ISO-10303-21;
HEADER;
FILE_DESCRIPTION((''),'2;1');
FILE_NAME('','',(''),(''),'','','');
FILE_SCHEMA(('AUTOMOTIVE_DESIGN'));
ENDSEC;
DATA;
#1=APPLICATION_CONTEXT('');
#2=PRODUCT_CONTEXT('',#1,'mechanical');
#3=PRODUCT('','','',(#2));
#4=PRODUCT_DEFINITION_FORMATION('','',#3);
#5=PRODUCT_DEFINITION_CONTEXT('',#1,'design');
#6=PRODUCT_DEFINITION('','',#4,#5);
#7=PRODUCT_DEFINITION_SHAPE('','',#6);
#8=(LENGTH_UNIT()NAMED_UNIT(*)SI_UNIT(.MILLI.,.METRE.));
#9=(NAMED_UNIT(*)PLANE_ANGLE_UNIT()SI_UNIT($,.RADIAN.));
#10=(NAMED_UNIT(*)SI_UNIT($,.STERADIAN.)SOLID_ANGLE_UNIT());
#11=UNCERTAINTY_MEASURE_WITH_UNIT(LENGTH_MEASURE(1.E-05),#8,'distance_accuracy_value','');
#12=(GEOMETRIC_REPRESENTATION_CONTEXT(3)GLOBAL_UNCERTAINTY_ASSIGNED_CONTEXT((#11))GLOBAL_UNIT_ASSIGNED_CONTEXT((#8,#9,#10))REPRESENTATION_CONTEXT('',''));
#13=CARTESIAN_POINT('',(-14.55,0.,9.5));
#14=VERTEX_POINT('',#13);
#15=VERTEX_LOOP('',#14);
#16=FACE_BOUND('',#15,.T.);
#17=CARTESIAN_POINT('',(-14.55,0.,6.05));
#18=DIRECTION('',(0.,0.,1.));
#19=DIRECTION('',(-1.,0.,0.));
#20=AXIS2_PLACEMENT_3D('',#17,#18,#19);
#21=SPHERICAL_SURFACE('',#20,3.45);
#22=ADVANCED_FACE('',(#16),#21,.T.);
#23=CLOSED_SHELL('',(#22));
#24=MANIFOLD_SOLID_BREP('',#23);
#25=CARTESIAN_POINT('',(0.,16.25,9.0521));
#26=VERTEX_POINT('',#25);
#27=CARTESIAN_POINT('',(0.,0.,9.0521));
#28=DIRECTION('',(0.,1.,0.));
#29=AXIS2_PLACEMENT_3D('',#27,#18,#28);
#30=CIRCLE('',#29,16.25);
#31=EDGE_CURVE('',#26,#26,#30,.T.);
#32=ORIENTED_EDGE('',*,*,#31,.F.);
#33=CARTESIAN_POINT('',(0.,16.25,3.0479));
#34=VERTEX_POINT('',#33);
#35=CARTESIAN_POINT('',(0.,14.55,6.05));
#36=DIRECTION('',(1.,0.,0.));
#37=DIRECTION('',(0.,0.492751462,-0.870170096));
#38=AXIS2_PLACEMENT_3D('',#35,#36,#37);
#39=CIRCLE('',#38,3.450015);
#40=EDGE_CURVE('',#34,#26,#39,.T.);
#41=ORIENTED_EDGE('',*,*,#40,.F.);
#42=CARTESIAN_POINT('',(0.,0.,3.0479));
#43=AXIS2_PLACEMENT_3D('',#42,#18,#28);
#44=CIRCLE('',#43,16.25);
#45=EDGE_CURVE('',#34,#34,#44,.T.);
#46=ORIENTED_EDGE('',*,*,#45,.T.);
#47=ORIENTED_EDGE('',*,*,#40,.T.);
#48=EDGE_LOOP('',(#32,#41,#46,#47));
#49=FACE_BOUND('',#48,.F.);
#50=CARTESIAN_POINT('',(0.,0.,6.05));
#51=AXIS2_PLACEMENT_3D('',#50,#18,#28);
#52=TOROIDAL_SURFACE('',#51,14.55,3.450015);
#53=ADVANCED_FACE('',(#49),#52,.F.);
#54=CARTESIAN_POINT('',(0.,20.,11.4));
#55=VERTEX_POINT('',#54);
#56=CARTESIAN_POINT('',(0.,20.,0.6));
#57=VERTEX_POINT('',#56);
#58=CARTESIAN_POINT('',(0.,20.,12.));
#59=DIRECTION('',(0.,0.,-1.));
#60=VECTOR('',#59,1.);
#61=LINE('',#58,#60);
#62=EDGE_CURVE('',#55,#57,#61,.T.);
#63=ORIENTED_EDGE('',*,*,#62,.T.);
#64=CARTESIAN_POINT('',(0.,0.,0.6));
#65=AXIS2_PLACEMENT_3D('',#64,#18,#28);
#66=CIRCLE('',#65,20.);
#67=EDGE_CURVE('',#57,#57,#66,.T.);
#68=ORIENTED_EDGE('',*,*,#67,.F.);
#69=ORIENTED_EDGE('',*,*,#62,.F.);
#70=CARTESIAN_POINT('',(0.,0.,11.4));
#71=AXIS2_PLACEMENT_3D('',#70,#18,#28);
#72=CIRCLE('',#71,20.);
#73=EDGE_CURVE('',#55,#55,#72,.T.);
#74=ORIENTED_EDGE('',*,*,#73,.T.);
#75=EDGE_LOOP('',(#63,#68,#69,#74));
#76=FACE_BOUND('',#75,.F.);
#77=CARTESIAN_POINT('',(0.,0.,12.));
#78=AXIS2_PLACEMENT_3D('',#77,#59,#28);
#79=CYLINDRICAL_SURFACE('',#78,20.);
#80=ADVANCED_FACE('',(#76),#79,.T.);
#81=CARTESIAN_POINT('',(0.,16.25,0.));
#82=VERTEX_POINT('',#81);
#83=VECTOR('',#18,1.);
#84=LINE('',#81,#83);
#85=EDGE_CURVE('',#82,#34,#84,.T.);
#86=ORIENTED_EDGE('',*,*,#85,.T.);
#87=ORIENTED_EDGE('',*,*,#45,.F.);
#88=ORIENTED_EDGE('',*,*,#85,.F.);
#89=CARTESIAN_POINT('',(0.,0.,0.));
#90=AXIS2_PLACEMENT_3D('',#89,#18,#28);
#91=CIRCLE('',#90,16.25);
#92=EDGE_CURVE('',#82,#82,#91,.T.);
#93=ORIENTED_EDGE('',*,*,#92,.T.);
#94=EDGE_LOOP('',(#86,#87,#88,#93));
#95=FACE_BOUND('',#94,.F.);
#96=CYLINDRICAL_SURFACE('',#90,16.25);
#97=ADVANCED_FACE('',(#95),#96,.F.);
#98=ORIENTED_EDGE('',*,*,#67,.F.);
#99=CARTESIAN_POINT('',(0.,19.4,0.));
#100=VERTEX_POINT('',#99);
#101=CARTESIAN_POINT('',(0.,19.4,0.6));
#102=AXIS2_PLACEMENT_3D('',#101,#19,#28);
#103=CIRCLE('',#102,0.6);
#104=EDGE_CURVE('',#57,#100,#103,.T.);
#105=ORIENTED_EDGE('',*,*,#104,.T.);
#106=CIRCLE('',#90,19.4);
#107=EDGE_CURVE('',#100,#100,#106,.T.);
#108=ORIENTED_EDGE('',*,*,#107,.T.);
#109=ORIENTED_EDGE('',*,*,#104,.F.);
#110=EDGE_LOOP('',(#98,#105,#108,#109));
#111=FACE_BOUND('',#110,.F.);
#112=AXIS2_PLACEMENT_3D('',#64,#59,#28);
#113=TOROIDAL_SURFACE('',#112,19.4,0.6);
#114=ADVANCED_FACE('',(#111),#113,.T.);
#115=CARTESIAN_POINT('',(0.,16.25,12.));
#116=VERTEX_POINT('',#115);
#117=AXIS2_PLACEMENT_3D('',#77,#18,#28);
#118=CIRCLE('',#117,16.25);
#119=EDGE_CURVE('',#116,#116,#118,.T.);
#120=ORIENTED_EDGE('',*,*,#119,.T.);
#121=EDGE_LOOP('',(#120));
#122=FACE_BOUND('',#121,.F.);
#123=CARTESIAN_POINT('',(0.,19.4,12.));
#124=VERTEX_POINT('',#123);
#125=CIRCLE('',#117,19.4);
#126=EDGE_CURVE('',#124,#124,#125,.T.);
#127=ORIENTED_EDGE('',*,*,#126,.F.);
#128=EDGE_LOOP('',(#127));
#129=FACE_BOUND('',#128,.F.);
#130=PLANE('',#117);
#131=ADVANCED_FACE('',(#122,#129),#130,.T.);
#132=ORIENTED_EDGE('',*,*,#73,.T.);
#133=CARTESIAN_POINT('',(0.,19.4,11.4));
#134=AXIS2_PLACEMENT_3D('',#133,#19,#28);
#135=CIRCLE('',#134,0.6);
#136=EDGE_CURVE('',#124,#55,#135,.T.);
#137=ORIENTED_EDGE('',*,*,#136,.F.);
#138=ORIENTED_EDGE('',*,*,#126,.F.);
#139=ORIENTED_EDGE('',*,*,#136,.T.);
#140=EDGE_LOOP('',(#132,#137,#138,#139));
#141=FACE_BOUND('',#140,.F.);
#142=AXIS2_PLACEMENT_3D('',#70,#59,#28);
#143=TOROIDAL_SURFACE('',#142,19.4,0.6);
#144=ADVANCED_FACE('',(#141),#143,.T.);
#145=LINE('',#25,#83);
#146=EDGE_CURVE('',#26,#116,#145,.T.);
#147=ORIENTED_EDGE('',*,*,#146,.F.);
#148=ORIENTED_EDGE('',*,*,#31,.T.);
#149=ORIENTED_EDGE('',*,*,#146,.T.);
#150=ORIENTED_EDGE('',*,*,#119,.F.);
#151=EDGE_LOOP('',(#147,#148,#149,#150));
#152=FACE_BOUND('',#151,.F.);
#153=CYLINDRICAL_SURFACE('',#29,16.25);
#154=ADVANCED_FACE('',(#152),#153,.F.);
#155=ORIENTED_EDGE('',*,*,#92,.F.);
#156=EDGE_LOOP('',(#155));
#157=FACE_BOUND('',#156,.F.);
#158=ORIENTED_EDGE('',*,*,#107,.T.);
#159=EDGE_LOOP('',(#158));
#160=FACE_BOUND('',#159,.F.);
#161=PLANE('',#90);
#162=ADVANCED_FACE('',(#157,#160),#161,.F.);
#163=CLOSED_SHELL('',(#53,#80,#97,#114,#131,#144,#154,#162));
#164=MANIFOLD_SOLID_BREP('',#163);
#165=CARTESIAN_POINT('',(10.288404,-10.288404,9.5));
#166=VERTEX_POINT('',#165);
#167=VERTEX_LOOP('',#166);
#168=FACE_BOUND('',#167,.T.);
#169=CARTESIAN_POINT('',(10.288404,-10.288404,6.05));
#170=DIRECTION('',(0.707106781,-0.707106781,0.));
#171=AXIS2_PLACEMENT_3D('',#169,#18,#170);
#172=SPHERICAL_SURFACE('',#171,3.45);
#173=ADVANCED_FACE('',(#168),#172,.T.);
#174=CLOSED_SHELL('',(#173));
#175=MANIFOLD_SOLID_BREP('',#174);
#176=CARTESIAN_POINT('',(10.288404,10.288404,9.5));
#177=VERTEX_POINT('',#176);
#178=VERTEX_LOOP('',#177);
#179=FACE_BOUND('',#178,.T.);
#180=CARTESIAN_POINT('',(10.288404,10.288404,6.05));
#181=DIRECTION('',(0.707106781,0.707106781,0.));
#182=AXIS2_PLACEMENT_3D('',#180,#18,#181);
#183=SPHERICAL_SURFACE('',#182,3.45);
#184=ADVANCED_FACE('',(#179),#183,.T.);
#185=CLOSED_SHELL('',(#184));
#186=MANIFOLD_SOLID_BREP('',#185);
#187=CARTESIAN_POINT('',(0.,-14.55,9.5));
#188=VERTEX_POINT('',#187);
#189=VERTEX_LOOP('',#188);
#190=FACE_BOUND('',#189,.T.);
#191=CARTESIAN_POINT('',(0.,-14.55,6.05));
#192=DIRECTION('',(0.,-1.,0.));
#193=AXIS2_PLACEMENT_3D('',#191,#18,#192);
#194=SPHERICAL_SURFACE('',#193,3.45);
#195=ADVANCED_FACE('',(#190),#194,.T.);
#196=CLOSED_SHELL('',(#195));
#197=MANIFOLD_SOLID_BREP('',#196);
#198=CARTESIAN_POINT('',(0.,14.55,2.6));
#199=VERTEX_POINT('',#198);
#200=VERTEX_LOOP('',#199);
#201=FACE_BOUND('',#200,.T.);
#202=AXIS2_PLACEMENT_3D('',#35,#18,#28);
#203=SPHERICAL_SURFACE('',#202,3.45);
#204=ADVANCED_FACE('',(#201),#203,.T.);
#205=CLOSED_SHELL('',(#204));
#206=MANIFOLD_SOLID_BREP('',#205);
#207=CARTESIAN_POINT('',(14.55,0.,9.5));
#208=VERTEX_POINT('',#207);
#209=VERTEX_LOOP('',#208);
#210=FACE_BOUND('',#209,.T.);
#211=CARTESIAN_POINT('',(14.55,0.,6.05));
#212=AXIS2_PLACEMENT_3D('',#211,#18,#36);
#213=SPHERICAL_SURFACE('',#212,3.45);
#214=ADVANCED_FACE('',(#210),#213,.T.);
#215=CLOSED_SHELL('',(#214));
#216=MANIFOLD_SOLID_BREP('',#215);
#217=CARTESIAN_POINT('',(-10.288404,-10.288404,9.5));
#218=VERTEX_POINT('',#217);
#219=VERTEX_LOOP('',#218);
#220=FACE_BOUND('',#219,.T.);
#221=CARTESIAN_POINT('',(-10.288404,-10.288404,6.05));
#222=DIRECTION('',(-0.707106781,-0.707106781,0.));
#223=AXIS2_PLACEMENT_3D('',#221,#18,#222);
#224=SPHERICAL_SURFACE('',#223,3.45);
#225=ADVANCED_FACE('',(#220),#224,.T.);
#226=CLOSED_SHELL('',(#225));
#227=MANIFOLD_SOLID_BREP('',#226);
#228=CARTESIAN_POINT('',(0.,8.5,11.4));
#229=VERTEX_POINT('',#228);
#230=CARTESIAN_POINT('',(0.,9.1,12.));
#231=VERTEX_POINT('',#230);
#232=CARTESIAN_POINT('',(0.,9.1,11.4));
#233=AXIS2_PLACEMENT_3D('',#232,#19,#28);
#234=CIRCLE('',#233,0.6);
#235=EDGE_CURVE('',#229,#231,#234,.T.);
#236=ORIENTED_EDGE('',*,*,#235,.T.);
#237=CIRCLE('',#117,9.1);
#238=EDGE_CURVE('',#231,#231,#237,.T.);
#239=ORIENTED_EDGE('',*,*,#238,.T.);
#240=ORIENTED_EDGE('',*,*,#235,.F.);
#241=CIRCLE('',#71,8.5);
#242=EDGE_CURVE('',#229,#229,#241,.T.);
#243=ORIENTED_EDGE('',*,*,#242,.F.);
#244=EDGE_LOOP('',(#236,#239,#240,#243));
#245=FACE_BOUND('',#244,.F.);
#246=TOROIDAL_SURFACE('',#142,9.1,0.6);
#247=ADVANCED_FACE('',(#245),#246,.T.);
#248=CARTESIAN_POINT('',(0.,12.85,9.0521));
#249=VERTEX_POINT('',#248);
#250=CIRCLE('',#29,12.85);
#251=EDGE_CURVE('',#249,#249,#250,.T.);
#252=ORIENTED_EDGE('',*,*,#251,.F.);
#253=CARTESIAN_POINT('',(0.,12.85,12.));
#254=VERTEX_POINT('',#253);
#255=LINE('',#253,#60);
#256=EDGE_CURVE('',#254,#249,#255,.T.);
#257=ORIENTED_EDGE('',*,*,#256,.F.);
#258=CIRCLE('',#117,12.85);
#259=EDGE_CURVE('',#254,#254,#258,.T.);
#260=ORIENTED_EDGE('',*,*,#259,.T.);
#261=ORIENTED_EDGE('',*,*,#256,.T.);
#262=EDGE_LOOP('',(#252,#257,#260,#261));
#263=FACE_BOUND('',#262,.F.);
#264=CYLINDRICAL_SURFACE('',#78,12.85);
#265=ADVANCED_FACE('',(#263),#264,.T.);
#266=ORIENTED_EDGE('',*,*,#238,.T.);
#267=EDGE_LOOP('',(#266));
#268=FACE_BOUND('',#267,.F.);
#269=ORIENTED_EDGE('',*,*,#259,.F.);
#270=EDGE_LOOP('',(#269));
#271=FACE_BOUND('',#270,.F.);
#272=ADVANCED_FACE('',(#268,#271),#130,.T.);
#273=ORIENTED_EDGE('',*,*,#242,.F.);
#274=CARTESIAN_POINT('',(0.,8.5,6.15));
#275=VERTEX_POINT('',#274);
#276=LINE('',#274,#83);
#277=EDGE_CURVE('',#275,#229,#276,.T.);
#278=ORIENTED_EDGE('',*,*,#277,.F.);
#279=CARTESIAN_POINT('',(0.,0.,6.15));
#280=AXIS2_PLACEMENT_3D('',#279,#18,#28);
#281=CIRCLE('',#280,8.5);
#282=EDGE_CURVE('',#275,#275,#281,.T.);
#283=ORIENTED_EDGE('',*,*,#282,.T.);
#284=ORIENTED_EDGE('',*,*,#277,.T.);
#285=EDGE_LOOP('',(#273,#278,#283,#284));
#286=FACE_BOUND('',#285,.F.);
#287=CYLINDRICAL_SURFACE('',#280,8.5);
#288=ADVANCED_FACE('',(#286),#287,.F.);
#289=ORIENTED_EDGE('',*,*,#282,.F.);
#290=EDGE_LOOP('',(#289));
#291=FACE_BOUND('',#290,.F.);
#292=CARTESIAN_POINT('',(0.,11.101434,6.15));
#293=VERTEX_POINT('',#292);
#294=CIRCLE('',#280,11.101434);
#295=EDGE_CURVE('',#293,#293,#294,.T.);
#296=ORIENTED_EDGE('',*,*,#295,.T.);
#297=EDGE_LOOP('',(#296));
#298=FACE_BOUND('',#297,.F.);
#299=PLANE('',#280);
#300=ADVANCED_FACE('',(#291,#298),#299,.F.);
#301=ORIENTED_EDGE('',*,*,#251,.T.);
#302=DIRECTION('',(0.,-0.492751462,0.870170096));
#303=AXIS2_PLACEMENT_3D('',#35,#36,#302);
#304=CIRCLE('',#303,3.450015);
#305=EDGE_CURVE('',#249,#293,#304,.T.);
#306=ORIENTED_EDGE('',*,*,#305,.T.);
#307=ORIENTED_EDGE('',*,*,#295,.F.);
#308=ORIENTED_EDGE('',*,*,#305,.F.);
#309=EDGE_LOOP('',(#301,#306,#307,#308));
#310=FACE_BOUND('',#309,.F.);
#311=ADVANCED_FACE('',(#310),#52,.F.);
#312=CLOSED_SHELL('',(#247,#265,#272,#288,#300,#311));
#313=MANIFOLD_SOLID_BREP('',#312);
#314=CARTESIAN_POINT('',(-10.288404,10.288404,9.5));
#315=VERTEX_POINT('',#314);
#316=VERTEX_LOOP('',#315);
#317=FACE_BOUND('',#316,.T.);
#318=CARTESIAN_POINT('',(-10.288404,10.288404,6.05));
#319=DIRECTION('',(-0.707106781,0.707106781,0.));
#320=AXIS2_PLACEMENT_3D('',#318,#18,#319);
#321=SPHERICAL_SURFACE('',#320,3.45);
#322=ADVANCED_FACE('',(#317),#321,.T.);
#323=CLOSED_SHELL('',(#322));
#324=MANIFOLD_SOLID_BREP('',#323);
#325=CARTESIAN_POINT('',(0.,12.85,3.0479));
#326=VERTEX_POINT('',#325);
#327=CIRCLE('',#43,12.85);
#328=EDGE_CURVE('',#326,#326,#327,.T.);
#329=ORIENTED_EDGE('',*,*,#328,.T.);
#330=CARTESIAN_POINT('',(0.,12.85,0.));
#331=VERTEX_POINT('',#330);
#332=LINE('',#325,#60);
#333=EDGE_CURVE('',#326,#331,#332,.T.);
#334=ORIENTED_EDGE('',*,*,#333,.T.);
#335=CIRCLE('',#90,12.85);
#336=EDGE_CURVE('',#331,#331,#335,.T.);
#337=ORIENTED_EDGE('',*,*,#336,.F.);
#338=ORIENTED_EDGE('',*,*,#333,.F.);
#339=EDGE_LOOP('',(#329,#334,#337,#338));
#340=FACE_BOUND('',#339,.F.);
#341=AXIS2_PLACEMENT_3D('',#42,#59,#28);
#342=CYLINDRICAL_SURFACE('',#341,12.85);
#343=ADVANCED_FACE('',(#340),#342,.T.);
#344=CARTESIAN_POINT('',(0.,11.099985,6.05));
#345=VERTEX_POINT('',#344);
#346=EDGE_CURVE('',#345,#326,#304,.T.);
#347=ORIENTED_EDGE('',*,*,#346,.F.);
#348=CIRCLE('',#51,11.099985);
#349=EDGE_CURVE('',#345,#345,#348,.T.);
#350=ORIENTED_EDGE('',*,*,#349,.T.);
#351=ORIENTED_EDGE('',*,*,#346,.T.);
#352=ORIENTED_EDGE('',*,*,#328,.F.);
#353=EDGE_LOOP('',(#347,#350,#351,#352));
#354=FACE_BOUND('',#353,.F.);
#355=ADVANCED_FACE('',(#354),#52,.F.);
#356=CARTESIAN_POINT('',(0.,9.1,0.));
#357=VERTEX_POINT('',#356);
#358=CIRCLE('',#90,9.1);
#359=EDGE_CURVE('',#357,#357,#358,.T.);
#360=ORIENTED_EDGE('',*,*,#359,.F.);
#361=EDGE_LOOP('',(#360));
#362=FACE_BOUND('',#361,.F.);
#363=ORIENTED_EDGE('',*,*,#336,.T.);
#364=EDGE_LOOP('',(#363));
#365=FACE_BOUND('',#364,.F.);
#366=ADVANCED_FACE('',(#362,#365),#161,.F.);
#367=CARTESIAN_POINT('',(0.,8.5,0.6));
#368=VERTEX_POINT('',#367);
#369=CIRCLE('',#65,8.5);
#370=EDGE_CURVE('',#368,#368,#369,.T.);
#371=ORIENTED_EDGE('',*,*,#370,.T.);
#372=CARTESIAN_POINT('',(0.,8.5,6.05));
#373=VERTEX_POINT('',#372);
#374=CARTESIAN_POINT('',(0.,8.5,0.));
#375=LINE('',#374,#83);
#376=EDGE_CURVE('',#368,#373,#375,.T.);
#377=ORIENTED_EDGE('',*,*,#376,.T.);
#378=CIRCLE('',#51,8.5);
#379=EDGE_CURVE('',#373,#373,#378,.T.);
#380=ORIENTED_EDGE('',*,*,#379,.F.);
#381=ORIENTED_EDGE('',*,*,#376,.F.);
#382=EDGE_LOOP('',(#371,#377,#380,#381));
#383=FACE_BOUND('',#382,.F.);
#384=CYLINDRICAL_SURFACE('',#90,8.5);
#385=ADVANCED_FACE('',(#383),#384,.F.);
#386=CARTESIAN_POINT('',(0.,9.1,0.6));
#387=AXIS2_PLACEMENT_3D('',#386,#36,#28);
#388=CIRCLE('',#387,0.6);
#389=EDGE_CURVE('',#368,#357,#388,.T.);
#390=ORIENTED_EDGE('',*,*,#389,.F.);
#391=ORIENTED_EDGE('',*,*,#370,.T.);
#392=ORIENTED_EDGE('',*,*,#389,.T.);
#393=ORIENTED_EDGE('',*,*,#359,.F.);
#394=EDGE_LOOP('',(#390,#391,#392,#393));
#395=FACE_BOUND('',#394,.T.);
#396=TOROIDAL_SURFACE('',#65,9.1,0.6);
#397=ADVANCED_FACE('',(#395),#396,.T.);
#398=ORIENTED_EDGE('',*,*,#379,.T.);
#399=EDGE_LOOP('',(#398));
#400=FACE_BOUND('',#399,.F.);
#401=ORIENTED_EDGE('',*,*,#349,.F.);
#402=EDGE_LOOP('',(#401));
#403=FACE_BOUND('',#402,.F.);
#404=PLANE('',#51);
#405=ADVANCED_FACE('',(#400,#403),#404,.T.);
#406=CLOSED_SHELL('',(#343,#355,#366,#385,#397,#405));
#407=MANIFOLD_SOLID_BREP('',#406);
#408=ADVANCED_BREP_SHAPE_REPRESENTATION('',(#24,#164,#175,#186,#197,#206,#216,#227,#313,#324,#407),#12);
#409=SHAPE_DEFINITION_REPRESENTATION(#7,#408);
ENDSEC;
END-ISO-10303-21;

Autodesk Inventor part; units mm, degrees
ref_plane "WorkPlane1" through (0, 0, 0) normal (0, 0, 1) x (1, 0, 0)
sketch "Szkic1" plane through (0, 0, 0) normal (0, 0, 1) x (1, 0, 0)
  point P0 (0, 0)
ref_plane "Work Plane2" through (0, 0, -12) normal (0, 0, 1) x (1, 0, 0)
ref_plane "WorkPlane2" through (0, 0, 16) normal (0, 0, 1) x (1, 0, 0)
sketch "Szkic2" plane through (0, 0, 0) normal (-1, 0, 0) x (0, -1, 0)
  point P0 (0, 0)
sketch "Szkic3" plane through (0, 0, 16) normal (0, 0, 1) x (1, 0, 0)
  point P0 (0, 0)
sketch "Szkic4" plane through (0, 0, 0) normal (1, 0, 0) x (0, 1, 0)
  line L0 (12.85, 6.15) -> (8.5, 6.15)
  line L1 (12.85, 6.05) -> (12.85, 6.15)
  line L2 (8.5, 6.05) -> (12.85, 6.05)
  line L3 (8.5, 0) -> (8.5, 6.05)
  line L4 (20, 0) -> (8.5, 0)
  line L5 (20, 12) -> (20, 0)
  line L6 (8.5, 12) -> (20, 12)
  line L7 (8.5, 6.15) -> (8.5, 12)
  line L8 (0, -4.334) -> (0, 23.8261) construction
  line L9 (0, -4.334) -> (0, 23.8261)
  line L10 (0, -9.966) -> (0, 29.4582) projected
  line L11 (-6.2, 0) -> (37.2, 0) projected
  dimension "d2" = 20
  dimension "d4" = 8.5
  dimension "d6" = 12
  dimension "d8" = 6.05
  dimension "d10" = 0.1
  dimension "d12" = 12.85
revolve "Obrót1" add sketch "Szkic4" angle 360 about axis through (0, 0, -4.334) along (0, 0, 1)
sketch "Szkic5" plane through (0, 0, 0) normal (1, 0, 0) x (0, 1, 0)
  line L0 (16.25, 9.0521) -> (16.25, 12)
  line L1 (16.25, 12) -> (12.85, 12)
  line L2 (12.85, 12) -> (12.85, 9.0521)
  arc A0 (12.85, 9.0521) -> (12.85, 3.0479) centre (14.55, 6.05) ccw
  line L3 (12.85, 3.0479) -> (12.85, 0)
  line L4 (12.85, 0) -> (16.25, 0)
  line L5 (16.25, 0) -> (16.25, 3.0479)
  arc A1 (16.25, 3.0479) -> (16.25, 9.0521) centre (14.55, 6.05) ccw
  circle A2 centre (14.55, 6.05) radius 3.45 construction
  line L6 (20, 0) -> (-20, 0) construction
  line L7 (20, 12) -> (-20, 12) construction
  line L8 (0, 52.5646) -> (0, -36.5646)
  line L9 (0, -54.3904) -> (0, 70.3904) projected
  line L10 (12.85, 6.05) -> (-12.85, 6.05) projected
  dimension "d15" = 6.9
  dimension "d24" = 29.1
  dimension "d25" = 32.5
  dimension "d26" = 25.7
revolve "Obrót2" cut sketch "Szkic5" angle 360 about axis through (0, 0, 52.5646) along (0, 0, 1)
sketch "Szkic6" plane through (0, 0, 0) normal (1, 0, 0) x (0, 1, 0)
  line L0 (14.55, 2.6) -> (14.55, 9.5)
  arc A0 (14.55, 2.6) -> (14.55, 9.5) centre (14.55, 6.05) ccw
  line L1 (14.55, 14.858) -> (14.55, -2.8899) construction
  line L2 (20, 0) -> (-20, 0) construction
  line L3 (14.55, 14.858) -> (14.55, -2.8899)
  arc A1 (12.85, 9.0521) -> (11.1014, 6.15) centre (14.55, 6.05) ccw projected
  line L4 (-11.1014, 6.15) -> (11.1014, 6.15) projected
  dimension "d18" = 3.45
revolve "Obrót3" add sketch "Szkic6" angle 360 about axis through (0, 14.55, 14.858) along (0, 0, 1)
pattern_circular "SzykBiegunowy1" count 8 over 360 about axis through (0, 0, 0) along (0, 0, 1) of "Obrót3"
fillet "Zaokrąglenie1" radius 0.6 4 edges at (0, -20, 0) (0, -20, 12) (0, -8.5, 0) (0, -8.5, 12)
equation "\"d23\" = r"
equation "\"d2\" = 0.5 * DD"
equation "\"d4\" = 0.5 * Diam"
equation "\"d6\" = B"
equation "\"d8\" = 0.5 * B + 0.5 * msp_mdtmc"
equation "\"d10\" = msp_mdtmc"
equation "\"d12\" = 0.5 * Diam1"
equation "\"d15\" = msp_mdtdk"
equation "\"d24\" = msp_mdtds"
equation "\"d25\" = DD1"
equation "\"d26\" = Diam1"
equation "\"d18\" = 0.5 * msp_mdtdk"
equation "\"Diam\" = 17"
equation "\"B\" = 12"
equation "\"Diam1\" = 25.7"
equation "\"DD1\" = 32.5"
equation "\"r\" = 0.6"
equation "\"msp_mdtdk\" = -0.3 * Diam + 0.3 * DD"
equation "\"msp_mdtds\" = 0.5 * Diam1 + 0.5 * DD1"
equation "\"msp_mdtmc\" = 0.1"
equation "\"DD\" = 40"
properties part number "BS 290 SKF - SKF QJ 203" material "Stal, miękka"
